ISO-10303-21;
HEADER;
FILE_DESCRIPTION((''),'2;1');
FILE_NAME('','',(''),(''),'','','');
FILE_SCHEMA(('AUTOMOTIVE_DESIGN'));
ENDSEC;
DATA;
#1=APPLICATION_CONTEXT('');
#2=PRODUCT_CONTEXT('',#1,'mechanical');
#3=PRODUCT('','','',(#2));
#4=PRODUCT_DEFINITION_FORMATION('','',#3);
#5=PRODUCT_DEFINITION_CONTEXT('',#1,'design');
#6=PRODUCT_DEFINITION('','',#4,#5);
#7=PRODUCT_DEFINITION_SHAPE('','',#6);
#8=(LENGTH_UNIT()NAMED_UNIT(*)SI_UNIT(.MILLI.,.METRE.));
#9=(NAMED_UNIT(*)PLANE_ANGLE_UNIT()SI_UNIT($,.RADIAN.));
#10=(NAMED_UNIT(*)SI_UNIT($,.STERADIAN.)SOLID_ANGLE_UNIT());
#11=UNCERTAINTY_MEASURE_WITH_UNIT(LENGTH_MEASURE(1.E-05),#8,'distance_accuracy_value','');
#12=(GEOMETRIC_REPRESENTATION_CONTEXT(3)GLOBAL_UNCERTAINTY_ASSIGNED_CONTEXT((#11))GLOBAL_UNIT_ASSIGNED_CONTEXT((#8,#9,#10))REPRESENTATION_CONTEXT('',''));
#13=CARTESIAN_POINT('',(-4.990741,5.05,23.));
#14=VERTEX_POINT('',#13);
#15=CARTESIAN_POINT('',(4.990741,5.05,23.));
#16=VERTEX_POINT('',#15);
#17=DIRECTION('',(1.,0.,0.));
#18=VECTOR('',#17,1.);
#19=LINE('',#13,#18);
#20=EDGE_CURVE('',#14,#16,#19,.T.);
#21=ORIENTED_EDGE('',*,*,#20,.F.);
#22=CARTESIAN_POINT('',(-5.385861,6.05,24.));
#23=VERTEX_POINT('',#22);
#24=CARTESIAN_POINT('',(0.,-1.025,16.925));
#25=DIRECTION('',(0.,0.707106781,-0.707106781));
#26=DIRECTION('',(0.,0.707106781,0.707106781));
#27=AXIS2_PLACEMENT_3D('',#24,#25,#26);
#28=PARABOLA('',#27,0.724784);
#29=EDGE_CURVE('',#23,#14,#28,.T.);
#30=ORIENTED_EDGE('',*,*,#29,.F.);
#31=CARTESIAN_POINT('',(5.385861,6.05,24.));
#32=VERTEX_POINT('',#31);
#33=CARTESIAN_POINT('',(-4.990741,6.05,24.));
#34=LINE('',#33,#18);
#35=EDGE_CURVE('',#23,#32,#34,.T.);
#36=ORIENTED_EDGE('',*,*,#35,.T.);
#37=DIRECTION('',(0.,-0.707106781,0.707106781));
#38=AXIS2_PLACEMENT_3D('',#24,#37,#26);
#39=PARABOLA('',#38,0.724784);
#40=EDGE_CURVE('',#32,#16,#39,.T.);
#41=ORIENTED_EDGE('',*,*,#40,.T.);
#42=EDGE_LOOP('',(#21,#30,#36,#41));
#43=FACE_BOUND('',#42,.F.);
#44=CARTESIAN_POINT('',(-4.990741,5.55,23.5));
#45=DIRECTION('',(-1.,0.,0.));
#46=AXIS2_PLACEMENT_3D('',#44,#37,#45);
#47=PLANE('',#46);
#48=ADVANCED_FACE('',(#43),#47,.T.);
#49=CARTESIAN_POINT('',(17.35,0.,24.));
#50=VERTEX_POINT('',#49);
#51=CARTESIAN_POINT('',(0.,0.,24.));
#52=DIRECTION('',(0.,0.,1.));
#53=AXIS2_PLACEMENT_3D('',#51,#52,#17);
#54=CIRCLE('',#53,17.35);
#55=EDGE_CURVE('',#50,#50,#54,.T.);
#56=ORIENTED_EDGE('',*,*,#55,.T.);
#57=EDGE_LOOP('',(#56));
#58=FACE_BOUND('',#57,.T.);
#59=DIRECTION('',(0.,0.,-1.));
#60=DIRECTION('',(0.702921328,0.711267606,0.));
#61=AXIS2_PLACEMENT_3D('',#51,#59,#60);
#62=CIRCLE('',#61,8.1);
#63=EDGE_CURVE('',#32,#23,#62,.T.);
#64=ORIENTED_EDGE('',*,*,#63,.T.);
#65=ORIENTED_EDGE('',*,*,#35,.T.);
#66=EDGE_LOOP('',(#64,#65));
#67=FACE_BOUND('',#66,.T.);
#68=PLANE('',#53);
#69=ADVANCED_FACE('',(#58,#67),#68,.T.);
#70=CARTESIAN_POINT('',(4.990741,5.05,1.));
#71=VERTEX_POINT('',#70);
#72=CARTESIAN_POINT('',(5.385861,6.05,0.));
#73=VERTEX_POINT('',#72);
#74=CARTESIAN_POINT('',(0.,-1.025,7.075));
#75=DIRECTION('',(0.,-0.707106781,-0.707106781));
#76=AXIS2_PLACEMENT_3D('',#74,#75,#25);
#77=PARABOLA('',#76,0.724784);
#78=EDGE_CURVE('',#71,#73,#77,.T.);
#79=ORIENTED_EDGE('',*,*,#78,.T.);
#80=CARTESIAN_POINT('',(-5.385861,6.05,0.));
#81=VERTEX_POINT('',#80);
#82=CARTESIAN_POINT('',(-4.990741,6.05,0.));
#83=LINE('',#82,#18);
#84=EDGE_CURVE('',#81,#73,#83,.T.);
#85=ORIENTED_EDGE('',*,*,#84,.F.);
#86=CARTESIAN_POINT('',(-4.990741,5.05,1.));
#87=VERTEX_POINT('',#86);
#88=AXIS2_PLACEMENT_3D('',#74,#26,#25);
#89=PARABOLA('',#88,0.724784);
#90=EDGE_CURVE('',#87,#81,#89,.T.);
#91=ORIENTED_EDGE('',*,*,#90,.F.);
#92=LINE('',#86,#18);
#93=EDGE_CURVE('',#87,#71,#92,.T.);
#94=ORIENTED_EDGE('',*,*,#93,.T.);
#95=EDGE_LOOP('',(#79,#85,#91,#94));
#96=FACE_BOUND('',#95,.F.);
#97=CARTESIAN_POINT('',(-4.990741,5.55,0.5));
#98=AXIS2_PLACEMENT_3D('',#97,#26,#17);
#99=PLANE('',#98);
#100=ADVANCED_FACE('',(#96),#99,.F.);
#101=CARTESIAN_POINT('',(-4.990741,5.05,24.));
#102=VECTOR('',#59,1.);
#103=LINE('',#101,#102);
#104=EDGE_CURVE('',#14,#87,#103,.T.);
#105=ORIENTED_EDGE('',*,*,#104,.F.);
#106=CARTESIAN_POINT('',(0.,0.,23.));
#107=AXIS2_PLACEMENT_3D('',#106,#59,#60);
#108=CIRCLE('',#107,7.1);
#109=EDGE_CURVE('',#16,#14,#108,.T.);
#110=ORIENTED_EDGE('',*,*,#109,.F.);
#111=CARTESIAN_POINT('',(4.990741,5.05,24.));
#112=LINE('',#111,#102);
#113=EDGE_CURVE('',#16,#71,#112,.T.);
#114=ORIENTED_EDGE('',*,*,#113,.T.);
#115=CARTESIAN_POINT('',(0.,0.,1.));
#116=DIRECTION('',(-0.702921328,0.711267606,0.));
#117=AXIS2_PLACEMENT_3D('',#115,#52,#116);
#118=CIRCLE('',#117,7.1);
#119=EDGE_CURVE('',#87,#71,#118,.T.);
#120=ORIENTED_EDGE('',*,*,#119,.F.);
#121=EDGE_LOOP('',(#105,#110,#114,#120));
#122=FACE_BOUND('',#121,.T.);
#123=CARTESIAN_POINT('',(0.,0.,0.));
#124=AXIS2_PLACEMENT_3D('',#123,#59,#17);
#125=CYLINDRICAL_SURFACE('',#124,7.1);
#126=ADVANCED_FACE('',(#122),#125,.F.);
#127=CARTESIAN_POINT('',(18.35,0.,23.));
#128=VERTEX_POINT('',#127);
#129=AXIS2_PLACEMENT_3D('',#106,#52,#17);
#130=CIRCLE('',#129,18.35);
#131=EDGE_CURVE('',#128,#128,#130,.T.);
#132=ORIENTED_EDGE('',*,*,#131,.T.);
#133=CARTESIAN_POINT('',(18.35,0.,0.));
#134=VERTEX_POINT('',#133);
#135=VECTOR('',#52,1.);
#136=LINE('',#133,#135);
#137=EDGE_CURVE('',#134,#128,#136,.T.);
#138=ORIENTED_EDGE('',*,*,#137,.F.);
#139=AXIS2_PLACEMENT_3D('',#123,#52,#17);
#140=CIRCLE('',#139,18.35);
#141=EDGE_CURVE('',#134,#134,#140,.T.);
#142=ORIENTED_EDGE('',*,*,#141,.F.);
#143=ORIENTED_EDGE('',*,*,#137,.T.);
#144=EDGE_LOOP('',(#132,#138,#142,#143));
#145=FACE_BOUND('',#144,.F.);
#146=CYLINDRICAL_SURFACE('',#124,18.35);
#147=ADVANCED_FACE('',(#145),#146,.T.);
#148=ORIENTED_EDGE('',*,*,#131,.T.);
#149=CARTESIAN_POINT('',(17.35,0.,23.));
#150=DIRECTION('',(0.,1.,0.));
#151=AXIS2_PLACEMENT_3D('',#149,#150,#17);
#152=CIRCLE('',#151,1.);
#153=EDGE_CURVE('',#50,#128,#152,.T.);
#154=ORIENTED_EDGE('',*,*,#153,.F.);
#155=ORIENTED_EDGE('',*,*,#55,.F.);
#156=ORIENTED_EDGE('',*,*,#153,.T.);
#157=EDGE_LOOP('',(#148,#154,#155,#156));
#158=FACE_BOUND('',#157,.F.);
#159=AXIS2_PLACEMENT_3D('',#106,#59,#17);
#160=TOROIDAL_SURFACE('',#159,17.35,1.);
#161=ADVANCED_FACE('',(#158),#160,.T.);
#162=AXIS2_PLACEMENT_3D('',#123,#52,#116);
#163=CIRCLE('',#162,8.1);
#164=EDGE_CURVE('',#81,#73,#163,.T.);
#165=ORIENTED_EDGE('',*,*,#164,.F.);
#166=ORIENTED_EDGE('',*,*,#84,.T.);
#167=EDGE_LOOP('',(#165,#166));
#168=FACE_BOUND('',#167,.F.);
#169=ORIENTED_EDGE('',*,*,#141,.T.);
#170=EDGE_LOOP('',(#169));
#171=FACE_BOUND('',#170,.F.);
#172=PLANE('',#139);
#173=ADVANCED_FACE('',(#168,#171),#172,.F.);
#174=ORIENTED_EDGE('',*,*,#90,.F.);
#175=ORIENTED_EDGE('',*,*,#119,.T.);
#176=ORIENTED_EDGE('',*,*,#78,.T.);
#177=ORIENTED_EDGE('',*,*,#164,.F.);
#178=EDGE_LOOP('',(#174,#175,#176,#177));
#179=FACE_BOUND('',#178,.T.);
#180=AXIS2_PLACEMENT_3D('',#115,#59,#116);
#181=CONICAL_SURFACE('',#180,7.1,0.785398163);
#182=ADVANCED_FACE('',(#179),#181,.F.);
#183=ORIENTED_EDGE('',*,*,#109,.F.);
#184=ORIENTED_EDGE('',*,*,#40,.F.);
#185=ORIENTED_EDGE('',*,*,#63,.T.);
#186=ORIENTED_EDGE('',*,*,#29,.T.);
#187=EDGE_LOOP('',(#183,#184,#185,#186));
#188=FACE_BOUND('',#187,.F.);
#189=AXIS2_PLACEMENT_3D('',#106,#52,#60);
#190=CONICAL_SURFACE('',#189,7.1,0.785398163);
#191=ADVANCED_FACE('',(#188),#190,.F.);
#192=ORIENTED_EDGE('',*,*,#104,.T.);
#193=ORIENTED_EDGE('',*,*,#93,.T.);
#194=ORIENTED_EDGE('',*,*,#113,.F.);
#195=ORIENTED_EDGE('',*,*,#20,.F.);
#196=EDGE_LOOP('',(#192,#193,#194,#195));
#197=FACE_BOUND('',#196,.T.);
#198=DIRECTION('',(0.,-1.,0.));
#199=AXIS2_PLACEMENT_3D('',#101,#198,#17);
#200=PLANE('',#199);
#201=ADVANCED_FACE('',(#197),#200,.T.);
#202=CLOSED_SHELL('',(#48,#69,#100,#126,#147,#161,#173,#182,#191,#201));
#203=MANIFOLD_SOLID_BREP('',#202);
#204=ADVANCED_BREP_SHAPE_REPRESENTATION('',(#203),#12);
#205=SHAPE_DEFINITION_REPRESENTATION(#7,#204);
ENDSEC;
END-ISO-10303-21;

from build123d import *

# Parameters (mm, degrees)
F0_R     = 18.35
F0_R_2   = 7.1
F1_DEPTH = 24
F3_DEPTH = 24
F4_SIZE  = 1
F5_SIZE2 = 1
F5_SIZE  = 1
F6_R     = 1


with BuildPart() as f1:
    # F0 (on Top) → F1 (new body)
    with BuildSketch(Plane.XY):
        Circle(F0_R)
        Circle(F0_R_2, mode=Mode.SUBTRACT)
    extrude(amount=F1_DEPTH)

    # F2 (on face) → F3 (join)
    with BuildSketch(Plane.XY.offset(24)):
        with BuildLine():
            ThreePointArc((4.9907414279, 5.05), (0, 7.1), (-4.9907414279, 5.05))
            Line((-4.9907414279, 5.05), (4.9907414279, 5.05))
        make_face()
    extrude(amount=-F3_DEPTH)

    # F4
    f4_edges = [f1.edges().sort_by_distance(p)[0] for p in [
        (0, 5.05, 24),
        (0, -7.1, 24),
    ]]
    chamfer(f4_edges, length=F4_SIZE)

    # F5
    f5_edges = [f1.edges().sort_by_distance(p)[0] for p in [
        (0, 5.05, 0),
        (0, -7.1, 0),
    ]]
    chamfer(f5_edges, length=F5_SIZE, length2=F5_SIZE2)

    # F6
    f6_edges = [f1.edges().sort_by_distance(p)[0] for p in [
        (-18.35, 0, 24),
    ]]
    fillet(f6_edges, radius=F6_R)


solid = f1.part
